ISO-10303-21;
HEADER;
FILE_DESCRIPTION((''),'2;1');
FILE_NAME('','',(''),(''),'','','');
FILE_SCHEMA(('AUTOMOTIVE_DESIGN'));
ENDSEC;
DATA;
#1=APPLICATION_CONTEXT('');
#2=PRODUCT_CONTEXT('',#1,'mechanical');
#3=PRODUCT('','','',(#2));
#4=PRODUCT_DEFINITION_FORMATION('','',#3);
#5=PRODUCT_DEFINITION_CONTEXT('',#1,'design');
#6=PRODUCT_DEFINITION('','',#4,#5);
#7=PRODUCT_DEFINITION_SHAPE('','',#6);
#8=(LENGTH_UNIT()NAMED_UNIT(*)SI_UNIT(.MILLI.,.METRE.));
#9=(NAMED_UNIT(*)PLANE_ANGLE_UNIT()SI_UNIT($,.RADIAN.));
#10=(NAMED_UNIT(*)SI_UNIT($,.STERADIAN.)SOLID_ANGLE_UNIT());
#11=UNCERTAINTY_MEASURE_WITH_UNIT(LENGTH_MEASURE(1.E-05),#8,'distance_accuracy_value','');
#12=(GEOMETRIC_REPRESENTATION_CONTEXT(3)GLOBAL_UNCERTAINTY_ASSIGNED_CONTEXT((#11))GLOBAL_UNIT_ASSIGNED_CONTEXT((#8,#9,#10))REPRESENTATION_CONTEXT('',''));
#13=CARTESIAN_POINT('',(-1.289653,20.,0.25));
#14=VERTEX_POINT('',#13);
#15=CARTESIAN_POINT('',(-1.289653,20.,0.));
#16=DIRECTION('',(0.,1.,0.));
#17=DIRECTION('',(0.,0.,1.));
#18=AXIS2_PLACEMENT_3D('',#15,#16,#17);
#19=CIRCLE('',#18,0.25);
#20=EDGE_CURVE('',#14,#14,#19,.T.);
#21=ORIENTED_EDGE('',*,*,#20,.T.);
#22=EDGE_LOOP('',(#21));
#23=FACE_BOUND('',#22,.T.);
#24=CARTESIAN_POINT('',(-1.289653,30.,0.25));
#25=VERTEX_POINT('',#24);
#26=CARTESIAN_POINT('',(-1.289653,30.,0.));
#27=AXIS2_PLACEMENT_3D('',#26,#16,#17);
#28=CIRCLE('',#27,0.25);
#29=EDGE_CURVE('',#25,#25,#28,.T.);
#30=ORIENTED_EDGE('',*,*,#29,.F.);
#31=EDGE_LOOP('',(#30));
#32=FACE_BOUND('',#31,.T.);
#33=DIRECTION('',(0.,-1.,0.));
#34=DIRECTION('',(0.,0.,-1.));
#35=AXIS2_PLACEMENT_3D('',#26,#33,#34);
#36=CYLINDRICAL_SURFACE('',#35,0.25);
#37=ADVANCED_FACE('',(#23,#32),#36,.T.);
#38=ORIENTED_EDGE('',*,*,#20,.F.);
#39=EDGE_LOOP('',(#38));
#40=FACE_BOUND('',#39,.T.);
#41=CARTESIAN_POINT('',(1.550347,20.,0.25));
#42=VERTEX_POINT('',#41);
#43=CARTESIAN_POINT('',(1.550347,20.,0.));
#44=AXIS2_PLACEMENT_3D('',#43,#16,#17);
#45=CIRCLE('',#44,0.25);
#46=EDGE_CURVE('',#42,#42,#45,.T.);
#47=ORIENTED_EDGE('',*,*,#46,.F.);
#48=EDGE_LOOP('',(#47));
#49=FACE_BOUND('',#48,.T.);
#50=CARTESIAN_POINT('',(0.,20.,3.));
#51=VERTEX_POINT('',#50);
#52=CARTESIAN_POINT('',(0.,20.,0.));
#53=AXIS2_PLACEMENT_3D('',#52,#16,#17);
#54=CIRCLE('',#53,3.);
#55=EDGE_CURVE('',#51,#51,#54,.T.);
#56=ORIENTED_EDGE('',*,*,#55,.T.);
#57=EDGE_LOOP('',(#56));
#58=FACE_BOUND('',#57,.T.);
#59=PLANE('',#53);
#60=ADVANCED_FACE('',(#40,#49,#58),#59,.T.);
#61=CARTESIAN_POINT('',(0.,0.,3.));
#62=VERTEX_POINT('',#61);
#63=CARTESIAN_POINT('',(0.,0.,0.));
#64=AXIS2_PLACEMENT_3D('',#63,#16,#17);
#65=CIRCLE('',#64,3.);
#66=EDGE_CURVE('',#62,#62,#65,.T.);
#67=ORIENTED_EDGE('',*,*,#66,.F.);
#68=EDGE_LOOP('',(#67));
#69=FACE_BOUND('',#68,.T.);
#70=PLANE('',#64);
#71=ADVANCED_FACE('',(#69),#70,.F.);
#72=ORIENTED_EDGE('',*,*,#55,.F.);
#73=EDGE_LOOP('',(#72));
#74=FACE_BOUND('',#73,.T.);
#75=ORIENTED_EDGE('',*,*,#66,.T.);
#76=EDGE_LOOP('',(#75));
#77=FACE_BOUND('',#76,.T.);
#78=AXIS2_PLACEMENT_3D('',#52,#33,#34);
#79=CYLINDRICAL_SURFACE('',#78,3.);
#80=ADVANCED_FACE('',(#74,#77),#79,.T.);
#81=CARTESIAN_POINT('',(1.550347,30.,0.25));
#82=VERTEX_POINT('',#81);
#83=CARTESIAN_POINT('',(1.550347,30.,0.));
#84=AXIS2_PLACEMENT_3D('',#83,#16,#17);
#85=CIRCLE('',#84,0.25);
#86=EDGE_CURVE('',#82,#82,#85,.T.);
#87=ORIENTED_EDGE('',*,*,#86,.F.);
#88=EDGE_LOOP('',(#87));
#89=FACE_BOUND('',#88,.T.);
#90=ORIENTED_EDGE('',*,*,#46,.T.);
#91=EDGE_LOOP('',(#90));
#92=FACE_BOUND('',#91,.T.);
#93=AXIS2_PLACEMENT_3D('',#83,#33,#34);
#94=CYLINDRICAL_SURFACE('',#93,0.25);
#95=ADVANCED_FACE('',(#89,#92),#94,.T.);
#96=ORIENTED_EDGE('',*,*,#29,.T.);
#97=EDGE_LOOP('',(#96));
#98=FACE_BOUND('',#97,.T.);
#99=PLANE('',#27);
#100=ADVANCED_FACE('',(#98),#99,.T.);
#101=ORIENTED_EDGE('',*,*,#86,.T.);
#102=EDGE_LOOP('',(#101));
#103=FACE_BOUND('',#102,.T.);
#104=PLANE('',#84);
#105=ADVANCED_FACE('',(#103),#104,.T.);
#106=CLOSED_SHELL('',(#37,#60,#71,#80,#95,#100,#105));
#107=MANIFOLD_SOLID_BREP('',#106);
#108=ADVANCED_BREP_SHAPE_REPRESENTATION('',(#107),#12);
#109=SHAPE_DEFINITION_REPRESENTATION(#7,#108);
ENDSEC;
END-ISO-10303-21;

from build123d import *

# Parameters (mm, degrees)
SKETCH_1_R      = 3
EXTRUDE_1_DEPTH = 20
SKETCH_2_R      = 0.25
EXTRUDE_2_DEPTH = 10


with BuildPart() as part:
    # Эскиз1 → Бобышка-Вытянуть1 (new body)
    with BuildSketch(Plane(origin=(0, 0, 0), x_dir=(1, 0, 0), z_dir=(0, 1, 0))):
        with Locations(Location((0, 0, 0), (0, 0, 270))):
            Circle(SKETCH_1_R)
    extrude(amount=EXTRUDE_1_DEPTH)

    # Эскиз2 → Бобышка-Вытянуть2 (add)
    with BuildSketch(Plane(origin=(0, 20, 0), x_dir=(1, 0, 0), z_dir=(0, 1, 0))):
        with Locations(Location((-1.289652684, 0, 0), (0, 0, 270))):
            Circle(SKETCH_2_R)
        with Locations(Location((1.550347316, 0, 0), (0, 0, 270))):
            Circle(SKETCH_2_R)
    extrude(amount=EXTRUDE_2_DEPTH)


solid = part.part
